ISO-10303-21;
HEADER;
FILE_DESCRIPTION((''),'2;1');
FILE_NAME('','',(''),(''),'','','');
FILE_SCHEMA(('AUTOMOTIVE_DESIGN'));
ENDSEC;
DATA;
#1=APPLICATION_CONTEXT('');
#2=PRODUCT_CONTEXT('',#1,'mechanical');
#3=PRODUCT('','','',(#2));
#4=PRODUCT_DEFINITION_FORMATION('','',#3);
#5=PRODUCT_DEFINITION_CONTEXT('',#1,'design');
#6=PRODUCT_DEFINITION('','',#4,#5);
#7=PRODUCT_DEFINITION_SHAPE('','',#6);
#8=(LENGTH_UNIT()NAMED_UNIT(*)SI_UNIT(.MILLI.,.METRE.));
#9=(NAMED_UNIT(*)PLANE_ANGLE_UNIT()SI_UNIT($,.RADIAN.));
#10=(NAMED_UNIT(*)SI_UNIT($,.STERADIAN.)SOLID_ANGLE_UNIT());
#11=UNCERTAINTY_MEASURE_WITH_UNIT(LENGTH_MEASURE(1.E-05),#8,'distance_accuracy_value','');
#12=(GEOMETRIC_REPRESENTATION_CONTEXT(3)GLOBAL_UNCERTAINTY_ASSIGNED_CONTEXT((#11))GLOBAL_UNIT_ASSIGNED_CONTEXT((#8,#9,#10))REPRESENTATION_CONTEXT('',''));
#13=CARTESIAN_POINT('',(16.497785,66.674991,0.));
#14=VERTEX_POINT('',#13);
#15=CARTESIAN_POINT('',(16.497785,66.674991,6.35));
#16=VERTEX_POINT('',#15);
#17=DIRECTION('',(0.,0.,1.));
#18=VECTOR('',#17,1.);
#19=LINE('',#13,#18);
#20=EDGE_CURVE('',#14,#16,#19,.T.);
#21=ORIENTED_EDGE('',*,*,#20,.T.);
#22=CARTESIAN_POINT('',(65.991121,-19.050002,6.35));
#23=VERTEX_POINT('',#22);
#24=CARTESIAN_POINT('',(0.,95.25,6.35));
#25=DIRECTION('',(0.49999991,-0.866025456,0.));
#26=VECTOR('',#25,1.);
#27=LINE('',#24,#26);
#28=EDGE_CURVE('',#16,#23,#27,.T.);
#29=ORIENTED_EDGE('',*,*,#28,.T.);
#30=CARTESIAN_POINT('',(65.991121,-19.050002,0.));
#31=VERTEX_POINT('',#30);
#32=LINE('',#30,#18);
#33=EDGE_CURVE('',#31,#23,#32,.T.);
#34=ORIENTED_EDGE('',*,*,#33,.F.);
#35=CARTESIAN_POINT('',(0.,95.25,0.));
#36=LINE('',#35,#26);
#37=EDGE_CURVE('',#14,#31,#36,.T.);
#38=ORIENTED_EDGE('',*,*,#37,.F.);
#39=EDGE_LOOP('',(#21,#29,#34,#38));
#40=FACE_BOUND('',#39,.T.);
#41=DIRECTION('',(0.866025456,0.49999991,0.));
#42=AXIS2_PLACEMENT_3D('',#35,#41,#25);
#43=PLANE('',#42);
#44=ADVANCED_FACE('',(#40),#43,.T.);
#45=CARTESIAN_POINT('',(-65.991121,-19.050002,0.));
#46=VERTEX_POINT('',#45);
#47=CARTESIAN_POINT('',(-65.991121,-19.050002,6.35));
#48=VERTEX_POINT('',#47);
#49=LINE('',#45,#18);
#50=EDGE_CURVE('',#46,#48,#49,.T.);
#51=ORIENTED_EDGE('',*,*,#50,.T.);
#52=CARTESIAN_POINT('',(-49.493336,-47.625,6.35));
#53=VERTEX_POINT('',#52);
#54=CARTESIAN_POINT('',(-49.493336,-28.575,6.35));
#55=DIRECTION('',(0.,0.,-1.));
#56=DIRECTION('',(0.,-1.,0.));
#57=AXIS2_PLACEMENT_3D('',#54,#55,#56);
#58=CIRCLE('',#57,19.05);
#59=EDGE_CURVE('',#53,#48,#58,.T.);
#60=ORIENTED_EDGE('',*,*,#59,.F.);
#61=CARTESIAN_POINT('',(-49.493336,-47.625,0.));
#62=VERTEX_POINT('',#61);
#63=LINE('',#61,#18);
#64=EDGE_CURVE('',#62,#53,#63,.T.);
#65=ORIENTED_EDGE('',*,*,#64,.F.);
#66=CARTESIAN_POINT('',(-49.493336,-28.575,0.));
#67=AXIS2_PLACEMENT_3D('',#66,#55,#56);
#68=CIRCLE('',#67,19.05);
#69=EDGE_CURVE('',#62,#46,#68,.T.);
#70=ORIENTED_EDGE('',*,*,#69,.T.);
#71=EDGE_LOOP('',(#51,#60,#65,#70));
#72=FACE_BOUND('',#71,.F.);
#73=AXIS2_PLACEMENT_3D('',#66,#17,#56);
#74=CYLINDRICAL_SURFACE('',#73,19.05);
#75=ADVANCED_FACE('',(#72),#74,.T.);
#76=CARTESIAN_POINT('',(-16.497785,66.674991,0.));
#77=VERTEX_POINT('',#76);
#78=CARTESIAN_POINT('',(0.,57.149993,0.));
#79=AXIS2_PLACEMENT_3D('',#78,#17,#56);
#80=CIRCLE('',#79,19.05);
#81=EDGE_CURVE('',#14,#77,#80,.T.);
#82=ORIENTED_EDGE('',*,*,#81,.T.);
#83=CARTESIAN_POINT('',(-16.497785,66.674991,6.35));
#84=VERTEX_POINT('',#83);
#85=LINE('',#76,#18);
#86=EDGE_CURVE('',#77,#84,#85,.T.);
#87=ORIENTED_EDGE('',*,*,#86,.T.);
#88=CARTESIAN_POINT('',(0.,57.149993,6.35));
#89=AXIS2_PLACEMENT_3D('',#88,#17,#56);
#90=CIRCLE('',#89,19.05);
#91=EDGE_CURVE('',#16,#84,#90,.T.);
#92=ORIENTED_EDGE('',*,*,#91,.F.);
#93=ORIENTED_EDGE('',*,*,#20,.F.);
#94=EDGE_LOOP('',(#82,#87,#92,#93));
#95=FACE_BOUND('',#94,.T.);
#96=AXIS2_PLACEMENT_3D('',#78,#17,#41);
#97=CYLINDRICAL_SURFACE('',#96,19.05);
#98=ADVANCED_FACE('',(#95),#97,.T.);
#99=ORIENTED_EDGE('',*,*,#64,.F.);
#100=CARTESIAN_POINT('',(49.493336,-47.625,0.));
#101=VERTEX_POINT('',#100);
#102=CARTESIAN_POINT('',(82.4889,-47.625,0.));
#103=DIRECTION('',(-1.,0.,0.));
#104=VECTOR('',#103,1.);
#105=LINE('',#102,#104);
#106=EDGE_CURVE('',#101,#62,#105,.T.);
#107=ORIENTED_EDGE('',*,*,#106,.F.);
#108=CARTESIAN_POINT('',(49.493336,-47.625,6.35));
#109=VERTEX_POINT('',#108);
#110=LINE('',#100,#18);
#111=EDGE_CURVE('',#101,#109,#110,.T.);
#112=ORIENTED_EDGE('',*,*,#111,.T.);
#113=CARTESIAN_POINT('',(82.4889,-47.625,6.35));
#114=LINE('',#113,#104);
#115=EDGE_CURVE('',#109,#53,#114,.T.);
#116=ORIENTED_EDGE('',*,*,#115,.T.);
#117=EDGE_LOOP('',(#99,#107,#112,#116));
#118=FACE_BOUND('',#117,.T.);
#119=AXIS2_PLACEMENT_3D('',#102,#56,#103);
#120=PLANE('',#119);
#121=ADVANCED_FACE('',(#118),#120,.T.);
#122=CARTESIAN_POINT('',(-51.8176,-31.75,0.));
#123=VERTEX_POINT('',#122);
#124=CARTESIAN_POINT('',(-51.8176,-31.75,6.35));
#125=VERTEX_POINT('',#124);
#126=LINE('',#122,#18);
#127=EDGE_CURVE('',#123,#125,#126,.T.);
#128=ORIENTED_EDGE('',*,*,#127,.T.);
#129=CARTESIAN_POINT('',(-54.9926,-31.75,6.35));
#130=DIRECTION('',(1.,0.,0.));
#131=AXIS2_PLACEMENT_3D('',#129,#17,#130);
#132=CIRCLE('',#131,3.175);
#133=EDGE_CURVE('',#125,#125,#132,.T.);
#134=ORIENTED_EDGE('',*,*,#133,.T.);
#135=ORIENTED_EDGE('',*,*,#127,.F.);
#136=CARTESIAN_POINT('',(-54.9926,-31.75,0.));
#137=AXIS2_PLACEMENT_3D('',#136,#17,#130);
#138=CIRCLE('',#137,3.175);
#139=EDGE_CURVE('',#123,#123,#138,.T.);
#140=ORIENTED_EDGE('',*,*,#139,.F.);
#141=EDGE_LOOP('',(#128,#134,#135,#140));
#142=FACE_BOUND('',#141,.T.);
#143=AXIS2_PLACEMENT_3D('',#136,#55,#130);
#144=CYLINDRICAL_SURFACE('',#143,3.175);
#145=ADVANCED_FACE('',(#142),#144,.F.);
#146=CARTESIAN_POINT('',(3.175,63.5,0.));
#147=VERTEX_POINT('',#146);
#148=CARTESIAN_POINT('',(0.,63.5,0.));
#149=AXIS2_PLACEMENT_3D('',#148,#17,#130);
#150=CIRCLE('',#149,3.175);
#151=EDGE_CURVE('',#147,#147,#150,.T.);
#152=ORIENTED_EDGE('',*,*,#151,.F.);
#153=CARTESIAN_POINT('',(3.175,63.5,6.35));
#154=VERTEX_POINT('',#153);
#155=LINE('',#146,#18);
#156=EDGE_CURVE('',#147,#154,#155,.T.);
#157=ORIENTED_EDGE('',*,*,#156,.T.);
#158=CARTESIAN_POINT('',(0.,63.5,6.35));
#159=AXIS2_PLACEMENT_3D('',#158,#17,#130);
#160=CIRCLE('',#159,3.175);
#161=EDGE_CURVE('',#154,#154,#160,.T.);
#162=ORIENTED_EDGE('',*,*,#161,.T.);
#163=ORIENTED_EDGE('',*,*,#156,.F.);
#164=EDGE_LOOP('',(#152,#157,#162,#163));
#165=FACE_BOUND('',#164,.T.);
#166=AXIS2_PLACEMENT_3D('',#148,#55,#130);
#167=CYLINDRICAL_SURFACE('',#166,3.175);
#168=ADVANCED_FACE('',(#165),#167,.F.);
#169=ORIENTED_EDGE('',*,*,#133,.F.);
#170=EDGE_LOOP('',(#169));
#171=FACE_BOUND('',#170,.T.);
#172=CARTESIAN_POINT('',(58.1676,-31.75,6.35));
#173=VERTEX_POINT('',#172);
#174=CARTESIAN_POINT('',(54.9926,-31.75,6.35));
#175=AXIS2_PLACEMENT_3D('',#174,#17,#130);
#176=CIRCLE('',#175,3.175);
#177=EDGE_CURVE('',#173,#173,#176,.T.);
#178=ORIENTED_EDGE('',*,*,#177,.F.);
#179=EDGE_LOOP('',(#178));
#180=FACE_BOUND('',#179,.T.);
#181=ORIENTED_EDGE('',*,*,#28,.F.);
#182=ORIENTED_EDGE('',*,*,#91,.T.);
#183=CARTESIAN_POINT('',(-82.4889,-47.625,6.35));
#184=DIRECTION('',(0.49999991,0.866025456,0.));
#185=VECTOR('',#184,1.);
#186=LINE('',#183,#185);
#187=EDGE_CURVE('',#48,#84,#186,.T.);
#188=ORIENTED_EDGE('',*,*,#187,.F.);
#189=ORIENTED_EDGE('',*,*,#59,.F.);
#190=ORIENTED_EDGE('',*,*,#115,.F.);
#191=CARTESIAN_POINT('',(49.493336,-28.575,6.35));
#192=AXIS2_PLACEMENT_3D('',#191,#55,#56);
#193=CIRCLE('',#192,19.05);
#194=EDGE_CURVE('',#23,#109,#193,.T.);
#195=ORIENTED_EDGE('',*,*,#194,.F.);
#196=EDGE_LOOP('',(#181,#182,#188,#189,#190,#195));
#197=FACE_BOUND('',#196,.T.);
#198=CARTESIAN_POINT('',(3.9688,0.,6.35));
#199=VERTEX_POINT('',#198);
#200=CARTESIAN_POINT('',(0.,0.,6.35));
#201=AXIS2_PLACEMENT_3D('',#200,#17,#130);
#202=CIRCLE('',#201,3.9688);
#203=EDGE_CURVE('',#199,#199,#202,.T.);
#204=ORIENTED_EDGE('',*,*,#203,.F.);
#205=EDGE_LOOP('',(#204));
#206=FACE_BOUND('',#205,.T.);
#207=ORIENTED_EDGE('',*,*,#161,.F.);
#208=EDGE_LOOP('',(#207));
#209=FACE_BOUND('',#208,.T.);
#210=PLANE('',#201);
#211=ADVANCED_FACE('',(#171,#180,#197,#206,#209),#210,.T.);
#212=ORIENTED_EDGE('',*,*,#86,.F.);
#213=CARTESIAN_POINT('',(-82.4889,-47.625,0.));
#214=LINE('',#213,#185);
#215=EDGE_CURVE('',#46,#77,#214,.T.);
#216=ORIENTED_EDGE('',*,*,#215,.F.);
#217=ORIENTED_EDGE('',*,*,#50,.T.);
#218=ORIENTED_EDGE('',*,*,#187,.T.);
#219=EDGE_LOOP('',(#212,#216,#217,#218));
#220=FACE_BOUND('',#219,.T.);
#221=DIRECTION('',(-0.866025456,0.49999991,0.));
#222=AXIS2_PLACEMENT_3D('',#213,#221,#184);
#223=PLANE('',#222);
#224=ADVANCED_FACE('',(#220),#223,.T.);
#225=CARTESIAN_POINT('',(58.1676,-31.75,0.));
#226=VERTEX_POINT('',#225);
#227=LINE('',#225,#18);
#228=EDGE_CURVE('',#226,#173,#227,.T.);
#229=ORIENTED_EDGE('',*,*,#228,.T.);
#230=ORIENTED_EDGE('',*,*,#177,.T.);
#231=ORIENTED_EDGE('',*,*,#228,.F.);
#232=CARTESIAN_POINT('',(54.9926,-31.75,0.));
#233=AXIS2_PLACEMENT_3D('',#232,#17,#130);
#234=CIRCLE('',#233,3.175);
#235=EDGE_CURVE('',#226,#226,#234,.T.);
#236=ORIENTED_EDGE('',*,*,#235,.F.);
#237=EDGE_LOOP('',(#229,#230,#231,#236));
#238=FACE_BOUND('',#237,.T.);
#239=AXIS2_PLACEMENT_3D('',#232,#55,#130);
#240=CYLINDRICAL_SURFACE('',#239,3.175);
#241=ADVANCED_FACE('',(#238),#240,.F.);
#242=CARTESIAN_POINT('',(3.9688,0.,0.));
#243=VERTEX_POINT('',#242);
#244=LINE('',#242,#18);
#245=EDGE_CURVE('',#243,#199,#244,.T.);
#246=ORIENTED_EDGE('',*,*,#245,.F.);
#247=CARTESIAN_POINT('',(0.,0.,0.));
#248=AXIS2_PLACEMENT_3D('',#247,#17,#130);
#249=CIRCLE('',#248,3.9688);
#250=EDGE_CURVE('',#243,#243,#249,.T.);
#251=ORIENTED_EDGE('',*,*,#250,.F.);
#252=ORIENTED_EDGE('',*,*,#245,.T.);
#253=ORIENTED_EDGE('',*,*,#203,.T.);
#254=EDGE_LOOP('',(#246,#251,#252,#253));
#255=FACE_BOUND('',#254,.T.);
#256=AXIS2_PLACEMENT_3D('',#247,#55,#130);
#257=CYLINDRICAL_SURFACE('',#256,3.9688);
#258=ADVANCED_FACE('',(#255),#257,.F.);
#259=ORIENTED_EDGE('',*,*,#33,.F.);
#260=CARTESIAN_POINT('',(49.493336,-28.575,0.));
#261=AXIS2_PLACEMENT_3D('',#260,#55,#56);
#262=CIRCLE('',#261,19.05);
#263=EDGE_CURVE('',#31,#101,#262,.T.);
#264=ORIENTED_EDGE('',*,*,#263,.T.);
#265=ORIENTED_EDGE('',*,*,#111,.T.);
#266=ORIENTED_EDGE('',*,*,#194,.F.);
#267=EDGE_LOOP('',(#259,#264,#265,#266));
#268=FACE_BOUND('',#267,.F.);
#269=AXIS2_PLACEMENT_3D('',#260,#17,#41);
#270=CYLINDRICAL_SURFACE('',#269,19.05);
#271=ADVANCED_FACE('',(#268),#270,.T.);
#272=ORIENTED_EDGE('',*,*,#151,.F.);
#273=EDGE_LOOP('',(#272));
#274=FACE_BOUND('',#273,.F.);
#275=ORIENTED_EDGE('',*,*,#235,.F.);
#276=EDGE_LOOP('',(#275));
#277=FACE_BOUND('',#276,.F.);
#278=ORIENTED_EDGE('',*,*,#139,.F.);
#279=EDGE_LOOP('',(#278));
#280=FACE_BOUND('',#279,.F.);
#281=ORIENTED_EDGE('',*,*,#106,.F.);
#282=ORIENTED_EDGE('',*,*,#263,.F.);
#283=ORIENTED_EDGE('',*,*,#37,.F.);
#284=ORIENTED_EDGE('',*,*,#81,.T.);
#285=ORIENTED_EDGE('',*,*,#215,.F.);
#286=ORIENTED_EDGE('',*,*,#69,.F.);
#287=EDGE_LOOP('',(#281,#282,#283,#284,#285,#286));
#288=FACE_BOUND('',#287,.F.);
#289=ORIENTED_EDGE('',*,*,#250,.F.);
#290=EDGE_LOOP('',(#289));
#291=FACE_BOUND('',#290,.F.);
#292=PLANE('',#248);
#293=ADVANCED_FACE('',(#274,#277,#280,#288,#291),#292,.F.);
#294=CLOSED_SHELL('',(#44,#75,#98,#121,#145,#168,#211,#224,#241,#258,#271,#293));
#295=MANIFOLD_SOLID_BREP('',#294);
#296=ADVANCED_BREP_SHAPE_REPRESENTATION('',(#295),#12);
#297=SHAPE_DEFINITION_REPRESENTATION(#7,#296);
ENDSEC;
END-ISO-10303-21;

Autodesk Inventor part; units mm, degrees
ref_plane "YZ Plane" through (0, 0, 0) normal (1, 0, 0) x (0, 1, 0)
ref_plane "XZ Plane" through (0, 0, 0) normal (0, 1, 0) x (-1, 0, 0)
ref_plane "XY Plane" through (0, 0, 0) normal (0, 0, 1) x (1, 0, 0)
sketch "Sketch2" plane through (0, 0, 0) normal (0, 0, 1) x (1, 0, 0)
  circle A0 centre (0, 0) radius 3.9688
  circle A1 centre (0, 63.5) radius 3.175
  circle A2 centre (-54.9926, -31.75) radius 3.175
  circle A3 centre (54.9926, -31.75) radius 3.175
  line L0 (0, 69.85) -> (60.4919, -34.925) construction
  line L1 (60.4919, -34.925) -> (-60.4919, -34.925) construction
  line L2 (-60.4919, -34.925) -> (0, 69.85) construction
  line L3 (0, 95.25) -> (82.4889, -47.625)
  line L4 (82.4889, -47.625) -> (-82.4889, -47.625)
  line L5 (-82.4889, -47.625) -> (0, 95.25)
  dimension "d0" = 7.9375
  dimension "d1" = 6.35
  dimension "d2" = 63.5
  dimension "d5" = 360
  dimension "d8" = 12.7
  dimension "d9" = 12.7
  dimension "d10" = 12.7
extrude "Extrusion1" add sketch "Sketch2" along normal blind 6.35
fillet "Fillet1" radius 19.05 3 edges at (0, 95.25, 3.175) (-82.4889, -47.625, 3.175) (82.4889, -47.625, 3.175)
properties part number "Triangle-5-16-hole"
